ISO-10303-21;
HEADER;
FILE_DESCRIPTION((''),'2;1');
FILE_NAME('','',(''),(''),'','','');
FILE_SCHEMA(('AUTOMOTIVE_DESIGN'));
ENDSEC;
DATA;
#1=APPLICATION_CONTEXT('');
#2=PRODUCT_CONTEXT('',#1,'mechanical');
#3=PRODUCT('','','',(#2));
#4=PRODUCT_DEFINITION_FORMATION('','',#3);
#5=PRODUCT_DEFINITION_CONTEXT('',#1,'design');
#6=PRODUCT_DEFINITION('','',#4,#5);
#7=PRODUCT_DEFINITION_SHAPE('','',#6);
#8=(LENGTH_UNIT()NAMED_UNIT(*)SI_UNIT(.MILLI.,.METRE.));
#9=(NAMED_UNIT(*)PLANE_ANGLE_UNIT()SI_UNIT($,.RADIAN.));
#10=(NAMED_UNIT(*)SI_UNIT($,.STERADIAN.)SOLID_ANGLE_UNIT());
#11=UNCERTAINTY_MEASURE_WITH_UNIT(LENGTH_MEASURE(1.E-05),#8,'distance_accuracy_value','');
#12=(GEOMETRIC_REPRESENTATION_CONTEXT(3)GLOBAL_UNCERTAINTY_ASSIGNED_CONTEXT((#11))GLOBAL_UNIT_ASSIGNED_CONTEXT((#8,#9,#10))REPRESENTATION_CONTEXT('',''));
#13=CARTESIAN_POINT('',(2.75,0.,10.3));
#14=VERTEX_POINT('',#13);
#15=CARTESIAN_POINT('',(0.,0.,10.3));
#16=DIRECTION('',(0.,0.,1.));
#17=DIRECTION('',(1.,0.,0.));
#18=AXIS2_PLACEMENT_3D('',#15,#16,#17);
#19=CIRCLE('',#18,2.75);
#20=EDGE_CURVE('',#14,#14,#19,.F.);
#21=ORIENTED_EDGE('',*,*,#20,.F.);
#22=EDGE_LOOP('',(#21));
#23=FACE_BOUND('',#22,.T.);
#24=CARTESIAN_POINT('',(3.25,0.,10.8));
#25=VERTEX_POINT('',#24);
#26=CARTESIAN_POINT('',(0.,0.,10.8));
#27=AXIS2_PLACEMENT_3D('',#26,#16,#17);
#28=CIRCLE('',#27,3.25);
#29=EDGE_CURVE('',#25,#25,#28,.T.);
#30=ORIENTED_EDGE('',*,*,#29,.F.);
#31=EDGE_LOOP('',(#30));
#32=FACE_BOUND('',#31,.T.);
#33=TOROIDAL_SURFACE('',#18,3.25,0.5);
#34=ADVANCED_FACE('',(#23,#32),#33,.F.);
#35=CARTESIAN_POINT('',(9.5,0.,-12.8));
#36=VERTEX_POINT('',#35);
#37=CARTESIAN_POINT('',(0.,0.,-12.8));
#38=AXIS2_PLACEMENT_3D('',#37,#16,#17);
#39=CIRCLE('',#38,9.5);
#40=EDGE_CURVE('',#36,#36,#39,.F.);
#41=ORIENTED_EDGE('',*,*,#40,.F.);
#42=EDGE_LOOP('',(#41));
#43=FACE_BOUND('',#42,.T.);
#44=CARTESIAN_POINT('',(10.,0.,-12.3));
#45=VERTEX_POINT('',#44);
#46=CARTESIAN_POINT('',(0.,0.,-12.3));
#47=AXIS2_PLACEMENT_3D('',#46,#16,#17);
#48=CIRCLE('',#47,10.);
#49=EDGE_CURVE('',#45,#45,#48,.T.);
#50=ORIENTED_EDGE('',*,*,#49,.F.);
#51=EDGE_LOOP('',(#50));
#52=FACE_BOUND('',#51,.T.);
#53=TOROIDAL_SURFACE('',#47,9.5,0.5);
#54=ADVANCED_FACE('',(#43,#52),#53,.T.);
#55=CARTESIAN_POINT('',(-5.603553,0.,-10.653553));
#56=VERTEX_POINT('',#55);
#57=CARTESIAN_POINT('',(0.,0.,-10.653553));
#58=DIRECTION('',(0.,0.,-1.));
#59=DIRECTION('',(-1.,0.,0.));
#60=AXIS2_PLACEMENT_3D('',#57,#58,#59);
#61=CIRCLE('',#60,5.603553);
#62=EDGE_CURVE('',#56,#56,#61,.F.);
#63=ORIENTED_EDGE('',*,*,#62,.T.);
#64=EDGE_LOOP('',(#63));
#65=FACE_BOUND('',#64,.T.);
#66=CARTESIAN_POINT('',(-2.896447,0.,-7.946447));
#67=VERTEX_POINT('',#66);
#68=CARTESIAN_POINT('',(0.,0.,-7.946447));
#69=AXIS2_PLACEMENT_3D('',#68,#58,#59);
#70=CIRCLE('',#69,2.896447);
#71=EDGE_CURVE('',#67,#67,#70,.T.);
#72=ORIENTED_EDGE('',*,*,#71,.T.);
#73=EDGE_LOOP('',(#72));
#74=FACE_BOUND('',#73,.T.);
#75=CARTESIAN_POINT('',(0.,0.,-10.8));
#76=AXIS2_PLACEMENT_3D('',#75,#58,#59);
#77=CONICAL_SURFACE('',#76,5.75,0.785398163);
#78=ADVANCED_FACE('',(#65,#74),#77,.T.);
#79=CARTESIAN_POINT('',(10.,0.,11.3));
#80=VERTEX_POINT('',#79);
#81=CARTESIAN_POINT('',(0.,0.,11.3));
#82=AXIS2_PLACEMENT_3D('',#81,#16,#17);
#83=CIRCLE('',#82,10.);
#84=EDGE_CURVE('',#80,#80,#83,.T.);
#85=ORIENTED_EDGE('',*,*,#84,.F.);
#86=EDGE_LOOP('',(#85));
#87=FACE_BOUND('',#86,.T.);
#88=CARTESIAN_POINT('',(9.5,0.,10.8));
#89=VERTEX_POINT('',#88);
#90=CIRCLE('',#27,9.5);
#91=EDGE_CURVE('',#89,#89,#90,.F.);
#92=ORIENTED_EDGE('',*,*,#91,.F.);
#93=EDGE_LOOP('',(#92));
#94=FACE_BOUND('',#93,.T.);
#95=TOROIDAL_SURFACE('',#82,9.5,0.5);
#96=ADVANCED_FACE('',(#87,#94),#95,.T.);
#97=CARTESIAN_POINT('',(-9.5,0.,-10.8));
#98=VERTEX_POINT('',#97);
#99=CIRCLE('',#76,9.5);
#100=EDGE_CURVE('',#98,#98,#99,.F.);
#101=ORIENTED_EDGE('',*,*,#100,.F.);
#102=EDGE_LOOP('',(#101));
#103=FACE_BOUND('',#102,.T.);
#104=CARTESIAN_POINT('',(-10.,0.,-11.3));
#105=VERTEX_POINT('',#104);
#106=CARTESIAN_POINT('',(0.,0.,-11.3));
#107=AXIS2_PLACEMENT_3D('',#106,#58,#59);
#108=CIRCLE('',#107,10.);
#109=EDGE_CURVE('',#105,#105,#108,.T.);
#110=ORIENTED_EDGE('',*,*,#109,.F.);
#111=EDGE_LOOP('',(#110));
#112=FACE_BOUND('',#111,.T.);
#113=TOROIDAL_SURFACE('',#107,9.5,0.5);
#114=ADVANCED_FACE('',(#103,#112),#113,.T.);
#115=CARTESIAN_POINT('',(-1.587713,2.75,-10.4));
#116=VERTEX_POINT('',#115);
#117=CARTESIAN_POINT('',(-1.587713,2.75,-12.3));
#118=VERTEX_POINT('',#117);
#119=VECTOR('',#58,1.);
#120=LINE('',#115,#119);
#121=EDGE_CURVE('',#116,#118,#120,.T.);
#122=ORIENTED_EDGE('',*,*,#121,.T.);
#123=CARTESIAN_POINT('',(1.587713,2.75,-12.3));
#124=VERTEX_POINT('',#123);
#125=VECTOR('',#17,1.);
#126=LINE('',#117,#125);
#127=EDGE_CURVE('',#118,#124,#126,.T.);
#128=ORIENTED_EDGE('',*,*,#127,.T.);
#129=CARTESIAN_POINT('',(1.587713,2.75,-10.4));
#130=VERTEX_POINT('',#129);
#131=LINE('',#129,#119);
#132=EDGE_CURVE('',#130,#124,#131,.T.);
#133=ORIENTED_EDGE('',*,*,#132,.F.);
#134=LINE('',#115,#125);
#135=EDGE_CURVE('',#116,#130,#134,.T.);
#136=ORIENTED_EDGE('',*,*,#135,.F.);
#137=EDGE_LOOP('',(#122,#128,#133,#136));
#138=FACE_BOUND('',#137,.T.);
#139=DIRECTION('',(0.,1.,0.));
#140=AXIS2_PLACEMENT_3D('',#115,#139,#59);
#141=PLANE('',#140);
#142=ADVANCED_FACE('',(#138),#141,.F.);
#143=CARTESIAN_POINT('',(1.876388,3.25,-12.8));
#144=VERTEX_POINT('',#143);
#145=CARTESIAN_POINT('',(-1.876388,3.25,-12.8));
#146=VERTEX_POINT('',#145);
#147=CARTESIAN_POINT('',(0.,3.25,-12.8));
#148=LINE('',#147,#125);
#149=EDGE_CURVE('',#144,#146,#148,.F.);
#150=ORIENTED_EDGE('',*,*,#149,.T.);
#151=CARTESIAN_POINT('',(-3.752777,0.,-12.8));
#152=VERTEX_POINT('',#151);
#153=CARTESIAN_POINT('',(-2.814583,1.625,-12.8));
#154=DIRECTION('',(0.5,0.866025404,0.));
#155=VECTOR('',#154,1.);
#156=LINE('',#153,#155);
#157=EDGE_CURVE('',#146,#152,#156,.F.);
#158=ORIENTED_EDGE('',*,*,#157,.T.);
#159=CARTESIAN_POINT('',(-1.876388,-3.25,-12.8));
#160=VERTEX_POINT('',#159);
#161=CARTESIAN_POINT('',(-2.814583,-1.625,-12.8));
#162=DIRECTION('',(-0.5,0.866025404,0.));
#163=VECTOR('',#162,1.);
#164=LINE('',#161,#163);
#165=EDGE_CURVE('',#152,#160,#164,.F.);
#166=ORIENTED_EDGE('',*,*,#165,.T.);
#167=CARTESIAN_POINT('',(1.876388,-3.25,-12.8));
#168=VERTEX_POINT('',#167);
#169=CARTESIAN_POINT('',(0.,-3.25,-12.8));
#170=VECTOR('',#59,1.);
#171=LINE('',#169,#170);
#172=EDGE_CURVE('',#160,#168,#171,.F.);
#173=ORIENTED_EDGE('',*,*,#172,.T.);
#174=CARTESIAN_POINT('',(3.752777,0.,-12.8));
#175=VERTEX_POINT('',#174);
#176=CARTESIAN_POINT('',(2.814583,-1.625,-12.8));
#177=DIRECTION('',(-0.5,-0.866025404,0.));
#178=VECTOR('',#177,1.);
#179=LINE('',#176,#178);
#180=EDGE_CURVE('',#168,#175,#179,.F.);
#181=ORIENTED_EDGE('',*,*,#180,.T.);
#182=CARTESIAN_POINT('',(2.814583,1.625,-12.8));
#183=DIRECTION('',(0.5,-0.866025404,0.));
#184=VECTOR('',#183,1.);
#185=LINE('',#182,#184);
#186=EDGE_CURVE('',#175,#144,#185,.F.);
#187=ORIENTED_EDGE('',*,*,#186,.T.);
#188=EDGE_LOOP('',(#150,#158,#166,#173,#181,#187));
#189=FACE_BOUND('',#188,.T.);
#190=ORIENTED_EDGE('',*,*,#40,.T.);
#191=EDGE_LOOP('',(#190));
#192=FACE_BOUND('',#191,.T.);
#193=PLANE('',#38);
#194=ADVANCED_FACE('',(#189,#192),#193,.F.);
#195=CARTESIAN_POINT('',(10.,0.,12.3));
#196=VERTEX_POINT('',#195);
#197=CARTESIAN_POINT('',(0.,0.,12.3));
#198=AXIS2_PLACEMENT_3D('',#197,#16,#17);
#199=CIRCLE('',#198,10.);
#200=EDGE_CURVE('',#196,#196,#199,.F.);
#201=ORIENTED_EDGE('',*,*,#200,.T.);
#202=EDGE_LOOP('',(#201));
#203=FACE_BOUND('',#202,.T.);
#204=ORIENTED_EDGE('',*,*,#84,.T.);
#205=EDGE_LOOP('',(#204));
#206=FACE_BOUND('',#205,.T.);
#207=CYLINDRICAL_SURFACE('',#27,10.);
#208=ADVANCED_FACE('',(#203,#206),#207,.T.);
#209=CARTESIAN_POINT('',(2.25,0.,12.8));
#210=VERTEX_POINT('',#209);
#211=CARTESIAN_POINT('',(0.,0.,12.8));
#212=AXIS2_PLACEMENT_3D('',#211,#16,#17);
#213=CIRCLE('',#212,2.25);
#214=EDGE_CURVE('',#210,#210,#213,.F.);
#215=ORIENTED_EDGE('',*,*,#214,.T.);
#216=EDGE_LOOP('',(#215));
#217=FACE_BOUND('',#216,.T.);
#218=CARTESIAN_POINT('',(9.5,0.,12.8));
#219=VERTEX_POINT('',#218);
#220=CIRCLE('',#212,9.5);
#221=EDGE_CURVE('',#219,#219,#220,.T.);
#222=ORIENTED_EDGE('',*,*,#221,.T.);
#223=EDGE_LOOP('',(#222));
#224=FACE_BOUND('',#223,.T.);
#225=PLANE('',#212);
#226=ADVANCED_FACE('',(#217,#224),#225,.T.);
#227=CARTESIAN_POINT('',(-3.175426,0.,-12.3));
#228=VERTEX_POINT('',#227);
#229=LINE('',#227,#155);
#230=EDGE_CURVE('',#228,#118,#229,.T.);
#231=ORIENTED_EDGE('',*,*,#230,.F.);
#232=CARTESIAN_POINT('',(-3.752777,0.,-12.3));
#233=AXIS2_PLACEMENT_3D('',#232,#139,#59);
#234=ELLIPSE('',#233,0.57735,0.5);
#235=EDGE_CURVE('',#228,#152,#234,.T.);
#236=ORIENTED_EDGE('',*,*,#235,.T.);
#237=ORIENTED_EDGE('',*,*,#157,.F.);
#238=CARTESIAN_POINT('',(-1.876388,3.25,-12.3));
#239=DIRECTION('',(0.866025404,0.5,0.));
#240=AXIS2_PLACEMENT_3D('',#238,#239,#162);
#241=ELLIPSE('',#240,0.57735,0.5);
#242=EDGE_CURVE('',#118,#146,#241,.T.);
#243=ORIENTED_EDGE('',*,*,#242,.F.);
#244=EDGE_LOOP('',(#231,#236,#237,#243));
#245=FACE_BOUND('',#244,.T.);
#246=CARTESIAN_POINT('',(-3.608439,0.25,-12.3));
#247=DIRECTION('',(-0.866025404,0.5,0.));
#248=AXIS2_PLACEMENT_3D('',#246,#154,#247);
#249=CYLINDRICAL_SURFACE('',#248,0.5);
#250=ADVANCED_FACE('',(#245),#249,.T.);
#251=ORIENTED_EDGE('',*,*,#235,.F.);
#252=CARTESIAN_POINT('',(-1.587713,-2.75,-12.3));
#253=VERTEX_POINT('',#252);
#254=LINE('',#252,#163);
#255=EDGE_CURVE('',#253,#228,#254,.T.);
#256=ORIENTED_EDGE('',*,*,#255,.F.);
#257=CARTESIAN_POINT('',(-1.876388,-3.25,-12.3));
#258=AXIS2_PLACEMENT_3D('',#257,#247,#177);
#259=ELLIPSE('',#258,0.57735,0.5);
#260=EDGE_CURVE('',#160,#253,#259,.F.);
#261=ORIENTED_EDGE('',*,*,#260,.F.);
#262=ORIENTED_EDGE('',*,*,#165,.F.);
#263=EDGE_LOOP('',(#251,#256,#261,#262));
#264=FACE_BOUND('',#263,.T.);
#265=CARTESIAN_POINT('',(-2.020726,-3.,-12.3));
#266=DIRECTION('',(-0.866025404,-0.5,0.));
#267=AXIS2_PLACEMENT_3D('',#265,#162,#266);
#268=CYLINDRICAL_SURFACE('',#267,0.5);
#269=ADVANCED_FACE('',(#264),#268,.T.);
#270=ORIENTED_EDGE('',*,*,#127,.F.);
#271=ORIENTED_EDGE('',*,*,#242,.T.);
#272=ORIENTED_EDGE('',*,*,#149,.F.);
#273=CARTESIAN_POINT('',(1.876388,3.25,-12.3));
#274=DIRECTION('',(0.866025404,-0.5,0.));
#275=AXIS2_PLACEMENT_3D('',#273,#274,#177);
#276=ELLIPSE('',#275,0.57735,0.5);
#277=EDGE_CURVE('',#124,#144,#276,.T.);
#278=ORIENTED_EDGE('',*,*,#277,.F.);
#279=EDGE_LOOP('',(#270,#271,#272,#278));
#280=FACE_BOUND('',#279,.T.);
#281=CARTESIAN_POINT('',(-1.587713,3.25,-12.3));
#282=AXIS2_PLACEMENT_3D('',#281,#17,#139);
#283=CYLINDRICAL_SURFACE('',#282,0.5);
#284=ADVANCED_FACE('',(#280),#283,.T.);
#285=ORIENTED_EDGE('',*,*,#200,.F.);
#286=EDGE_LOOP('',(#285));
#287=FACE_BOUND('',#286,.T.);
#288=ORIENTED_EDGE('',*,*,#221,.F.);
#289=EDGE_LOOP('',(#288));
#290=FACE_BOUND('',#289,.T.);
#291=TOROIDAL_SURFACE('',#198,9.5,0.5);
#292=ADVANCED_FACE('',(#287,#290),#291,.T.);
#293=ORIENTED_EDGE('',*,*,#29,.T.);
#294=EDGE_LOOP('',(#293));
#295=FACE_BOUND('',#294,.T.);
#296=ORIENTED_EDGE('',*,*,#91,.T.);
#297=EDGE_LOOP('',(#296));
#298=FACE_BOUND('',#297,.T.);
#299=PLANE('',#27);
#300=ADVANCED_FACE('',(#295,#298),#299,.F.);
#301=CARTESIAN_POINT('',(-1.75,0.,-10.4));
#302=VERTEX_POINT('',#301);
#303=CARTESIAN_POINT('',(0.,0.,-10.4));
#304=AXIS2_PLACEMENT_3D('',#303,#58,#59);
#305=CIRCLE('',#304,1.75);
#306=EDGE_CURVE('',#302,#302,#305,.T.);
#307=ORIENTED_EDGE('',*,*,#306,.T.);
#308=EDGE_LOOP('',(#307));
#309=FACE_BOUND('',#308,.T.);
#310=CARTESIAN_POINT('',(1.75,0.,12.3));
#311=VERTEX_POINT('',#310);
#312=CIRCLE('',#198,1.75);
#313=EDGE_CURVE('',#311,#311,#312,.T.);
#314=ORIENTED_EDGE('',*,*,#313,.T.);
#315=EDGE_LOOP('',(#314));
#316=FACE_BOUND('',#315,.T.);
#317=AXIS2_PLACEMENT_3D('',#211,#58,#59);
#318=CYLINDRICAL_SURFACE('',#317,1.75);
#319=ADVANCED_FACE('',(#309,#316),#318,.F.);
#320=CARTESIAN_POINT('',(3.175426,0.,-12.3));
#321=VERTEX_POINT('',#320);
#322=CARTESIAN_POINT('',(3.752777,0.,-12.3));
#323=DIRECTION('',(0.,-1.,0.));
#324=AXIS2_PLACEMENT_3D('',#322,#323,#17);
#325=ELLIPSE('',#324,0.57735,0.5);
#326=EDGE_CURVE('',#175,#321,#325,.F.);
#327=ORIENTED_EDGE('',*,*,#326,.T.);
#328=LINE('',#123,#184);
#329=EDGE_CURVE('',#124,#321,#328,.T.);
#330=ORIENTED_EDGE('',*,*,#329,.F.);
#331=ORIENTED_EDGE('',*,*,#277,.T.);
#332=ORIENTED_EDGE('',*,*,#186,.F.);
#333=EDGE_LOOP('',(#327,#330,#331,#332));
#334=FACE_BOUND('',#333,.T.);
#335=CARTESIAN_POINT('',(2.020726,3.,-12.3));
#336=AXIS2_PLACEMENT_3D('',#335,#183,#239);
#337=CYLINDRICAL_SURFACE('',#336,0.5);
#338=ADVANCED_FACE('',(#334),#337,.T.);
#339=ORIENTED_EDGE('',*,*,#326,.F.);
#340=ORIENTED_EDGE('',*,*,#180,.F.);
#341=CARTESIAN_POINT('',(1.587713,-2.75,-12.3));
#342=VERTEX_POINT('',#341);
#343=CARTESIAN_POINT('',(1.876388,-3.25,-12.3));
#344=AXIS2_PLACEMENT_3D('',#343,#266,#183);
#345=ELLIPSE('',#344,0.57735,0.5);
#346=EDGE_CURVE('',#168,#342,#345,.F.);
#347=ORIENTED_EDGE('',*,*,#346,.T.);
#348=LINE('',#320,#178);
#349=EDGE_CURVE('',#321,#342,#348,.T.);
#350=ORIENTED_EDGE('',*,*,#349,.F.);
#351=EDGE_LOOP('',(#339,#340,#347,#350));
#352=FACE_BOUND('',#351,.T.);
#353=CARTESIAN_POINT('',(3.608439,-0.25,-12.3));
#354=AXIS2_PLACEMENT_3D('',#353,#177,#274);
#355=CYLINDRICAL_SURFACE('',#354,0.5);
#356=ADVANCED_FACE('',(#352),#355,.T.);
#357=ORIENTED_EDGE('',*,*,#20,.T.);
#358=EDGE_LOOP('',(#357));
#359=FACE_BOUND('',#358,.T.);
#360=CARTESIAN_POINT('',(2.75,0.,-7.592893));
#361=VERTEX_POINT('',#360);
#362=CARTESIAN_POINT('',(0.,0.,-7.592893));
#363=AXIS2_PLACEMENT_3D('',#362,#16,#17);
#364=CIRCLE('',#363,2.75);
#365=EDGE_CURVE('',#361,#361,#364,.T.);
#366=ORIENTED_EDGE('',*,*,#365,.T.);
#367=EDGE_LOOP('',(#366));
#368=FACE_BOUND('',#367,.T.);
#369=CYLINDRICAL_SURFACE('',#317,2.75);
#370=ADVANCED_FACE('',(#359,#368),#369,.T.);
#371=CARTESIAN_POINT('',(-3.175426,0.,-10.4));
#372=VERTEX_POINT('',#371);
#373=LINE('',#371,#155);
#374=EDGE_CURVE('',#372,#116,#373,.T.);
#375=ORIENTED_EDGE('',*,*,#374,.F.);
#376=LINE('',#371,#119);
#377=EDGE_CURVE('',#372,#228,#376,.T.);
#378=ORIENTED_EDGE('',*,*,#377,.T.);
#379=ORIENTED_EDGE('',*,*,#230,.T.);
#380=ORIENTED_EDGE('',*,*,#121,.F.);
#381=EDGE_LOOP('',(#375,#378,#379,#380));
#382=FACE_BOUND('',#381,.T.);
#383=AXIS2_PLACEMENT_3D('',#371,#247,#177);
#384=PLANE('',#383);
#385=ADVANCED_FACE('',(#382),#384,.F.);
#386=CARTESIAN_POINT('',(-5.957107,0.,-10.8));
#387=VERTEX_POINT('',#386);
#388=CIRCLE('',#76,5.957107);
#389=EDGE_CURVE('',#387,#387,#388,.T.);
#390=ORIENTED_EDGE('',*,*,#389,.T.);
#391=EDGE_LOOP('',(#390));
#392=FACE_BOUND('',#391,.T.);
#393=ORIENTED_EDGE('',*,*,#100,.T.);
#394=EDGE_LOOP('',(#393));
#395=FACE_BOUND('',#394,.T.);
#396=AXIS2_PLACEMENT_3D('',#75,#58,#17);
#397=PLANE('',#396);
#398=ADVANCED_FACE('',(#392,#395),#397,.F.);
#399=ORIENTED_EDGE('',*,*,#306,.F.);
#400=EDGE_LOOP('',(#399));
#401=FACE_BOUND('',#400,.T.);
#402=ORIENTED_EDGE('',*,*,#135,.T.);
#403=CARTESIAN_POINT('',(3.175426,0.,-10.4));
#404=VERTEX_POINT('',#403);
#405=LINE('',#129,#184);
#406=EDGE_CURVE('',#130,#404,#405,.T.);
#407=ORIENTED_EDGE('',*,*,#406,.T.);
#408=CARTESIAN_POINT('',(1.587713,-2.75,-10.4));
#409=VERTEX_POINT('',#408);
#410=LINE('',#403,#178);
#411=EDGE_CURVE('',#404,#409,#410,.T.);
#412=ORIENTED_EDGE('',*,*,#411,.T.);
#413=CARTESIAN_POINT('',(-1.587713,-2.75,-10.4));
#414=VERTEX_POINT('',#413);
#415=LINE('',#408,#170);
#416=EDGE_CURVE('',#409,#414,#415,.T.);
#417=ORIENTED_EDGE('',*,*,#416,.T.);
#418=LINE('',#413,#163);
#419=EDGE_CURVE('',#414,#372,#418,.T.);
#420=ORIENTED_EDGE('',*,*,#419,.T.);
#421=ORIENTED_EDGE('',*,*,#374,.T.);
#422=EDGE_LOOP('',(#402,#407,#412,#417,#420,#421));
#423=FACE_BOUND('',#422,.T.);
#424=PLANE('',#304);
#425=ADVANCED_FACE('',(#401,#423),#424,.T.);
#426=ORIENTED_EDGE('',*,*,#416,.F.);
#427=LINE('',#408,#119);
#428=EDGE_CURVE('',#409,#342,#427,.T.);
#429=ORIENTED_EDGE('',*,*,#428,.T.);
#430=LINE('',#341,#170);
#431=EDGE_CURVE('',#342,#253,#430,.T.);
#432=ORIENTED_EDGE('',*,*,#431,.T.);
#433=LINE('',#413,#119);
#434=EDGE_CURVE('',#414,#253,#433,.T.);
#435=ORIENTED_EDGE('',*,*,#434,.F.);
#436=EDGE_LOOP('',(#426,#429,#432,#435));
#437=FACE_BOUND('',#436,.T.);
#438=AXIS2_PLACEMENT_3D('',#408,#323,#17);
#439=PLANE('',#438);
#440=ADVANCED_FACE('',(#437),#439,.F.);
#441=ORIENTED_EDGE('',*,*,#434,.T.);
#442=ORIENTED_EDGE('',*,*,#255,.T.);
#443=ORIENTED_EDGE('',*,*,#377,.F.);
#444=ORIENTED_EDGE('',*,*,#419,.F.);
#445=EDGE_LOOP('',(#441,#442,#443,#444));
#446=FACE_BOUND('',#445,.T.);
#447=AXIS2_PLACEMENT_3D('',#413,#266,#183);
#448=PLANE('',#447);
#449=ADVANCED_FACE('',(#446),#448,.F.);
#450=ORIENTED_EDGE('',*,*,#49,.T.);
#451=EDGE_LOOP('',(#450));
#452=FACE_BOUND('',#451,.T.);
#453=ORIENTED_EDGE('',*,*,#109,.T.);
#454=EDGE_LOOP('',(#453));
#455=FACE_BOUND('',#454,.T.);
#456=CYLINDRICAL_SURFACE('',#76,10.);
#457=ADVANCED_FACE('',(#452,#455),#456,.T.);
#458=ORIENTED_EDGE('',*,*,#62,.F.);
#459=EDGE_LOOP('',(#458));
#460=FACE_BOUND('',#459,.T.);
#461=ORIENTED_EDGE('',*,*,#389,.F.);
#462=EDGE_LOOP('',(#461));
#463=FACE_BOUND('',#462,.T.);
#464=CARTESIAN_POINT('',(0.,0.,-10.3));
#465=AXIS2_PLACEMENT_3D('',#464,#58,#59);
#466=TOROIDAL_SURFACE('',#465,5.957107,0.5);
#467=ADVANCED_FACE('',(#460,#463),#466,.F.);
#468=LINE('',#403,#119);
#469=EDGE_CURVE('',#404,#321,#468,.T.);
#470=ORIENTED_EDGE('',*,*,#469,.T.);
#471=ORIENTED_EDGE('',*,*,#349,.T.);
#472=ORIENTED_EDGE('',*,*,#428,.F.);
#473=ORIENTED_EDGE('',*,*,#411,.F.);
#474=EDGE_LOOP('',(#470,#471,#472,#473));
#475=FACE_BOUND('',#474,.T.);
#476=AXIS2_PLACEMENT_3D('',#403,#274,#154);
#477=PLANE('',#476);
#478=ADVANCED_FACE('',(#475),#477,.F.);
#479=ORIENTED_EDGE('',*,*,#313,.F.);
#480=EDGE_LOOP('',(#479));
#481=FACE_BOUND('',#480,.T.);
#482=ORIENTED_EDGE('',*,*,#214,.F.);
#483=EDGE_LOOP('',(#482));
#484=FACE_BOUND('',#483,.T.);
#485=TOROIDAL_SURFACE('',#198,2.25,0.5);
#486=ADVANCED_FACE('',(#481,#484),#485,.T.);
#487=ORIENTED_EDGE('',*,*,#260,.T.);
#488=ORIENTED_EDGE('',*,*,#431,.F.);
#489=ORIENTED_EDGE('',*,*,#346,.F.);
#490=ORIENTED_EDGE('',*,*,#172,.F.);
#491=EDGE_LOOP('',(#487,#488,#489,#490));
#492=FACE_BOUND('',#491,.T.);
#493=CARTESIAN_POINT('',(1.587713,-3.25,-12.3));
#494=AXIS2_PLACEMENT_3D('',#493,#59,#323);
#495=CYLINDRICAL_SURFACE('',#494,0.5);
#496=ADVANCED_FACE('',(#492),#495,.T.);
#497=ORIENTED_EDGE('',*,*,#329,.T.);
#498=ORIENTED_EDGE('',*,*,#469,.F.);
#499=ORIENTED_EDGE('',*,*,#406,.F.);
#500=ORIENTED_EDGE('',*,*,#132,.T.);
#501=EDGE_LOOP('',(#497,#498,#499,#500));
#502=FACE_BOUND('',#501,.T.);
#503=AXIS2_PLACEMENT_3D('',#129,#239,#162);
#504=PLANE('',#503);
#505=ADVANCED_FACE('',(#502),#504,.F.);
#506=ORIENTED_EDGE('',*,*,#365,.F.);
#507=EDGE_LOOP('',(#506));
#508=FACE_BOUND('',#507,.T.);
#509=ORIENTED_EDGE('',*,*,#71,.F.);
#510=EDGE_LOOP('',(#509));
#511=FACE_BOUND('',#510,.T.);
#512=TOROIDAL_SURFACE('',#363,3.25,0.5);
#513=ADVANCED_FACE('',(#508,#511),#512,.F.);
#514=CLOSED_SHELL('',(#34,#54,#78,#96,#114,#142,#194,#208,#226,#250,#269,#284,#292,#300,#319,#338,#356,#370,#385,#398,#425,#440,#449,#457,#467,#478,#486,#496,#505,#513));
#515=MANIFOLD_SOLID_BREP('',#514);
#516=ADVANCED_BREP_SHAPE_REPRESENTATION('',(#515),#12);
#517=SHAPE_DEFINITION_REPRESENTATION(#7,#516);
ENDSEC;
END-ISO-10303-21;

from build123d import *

# Parameters (mm, degrees)
SKETCH1_R           = 2.75
SKETCH1_R_2         = 1.75
BOSS_EXTRUDE1_DEPTH = 12.8
SKETCH2_R           = 10
SKETCH2_R_2         = 2.75
BOSS_EXTRUDE2_DEPTH = 2
CHAMFER3_SIZE       = 3
CUT_EXTRUDE1_DEPTH  = 2.4
FILLET2_R           = 0.5


with BuildPart() as part:
    # Sketch1 → Boss-Extrude1 (new body, symmetric)
    with BuildSketch(Plane.XY):
        Circle(SKETCH1_R)
        Circle(SKETCH1_R_2, mode=Mode.SUBTRACT)
    extrude(amount=BOSS_EXTRUDE1_DEPTH, both=True)

    # Sketch2 → Boss-Extrude2 (add)
    with BuildSketch(Plane.XY.offset(12.8)):
        Circle(SKETCH2_R)
        Circle(SKETCH2_R_2, mode=Mode.SUBTRACT)
    boss_extrude2 = extrude(amount=-BOSS_EXTRUDE2_DEPTH)

    # Mirror1: Boss-Extrude2 across plane
    add(boss_extrude2.mirror(Plane.XY))

    # Chamfer3
    chamfer3_edges = [part.edges().sort_by_distance(p)[0] for p in [
        (-2.75, 0, -10.8),
    ]]
    chamfer(chamfer3_edges, length=CHAMFER3_SIZE)

    # Sketch4 → Cut-Extrude1 (cut)
    with BuildSketch(Plane(origin=(0, 0, -12.8), x_dir=(-1, 0, 0), z_dir=(0, 0, -1))):
        Polygon((1.58771324, 2.75), (-1.58771324, 2.75), (-3.175426481, 0), (-1.58771324, -2.75), (1.58771324, -2.75), (3.175426481, 0), align=None)
    extrude(amount=-CUT_EXTRUDE1_DEPTH, mode=Mode.SUBTRACT)

    # Fillet2
    fillet2_edges = [part.edges().sort_by_distance(p)[0] for p in [
        (-10, 0, 10.8),
        (-10, 0, 12.8),
        (-10, 0, -10.8),
        (-10, 0, -12.8),
        (-5.75, 0, -10.8),
        (-2.75, 0, -7.8),
        (-2.38156986, 1.375, -12.8),
        (0, 2.75, -12.8),
        (2.38156986, 1.375, -12.8),
        (2.38156986, -1.375, -12.8),
        (0, -2.75, -12.8),
        (-2.38156986, -1.375, -12.8),
        (-1.75, 0, 12.8),
        (-2.75, 0, 10.8),
    ]]
    fillet(fillet2_edges, radius=FILLET2_R)


solid = part.part
